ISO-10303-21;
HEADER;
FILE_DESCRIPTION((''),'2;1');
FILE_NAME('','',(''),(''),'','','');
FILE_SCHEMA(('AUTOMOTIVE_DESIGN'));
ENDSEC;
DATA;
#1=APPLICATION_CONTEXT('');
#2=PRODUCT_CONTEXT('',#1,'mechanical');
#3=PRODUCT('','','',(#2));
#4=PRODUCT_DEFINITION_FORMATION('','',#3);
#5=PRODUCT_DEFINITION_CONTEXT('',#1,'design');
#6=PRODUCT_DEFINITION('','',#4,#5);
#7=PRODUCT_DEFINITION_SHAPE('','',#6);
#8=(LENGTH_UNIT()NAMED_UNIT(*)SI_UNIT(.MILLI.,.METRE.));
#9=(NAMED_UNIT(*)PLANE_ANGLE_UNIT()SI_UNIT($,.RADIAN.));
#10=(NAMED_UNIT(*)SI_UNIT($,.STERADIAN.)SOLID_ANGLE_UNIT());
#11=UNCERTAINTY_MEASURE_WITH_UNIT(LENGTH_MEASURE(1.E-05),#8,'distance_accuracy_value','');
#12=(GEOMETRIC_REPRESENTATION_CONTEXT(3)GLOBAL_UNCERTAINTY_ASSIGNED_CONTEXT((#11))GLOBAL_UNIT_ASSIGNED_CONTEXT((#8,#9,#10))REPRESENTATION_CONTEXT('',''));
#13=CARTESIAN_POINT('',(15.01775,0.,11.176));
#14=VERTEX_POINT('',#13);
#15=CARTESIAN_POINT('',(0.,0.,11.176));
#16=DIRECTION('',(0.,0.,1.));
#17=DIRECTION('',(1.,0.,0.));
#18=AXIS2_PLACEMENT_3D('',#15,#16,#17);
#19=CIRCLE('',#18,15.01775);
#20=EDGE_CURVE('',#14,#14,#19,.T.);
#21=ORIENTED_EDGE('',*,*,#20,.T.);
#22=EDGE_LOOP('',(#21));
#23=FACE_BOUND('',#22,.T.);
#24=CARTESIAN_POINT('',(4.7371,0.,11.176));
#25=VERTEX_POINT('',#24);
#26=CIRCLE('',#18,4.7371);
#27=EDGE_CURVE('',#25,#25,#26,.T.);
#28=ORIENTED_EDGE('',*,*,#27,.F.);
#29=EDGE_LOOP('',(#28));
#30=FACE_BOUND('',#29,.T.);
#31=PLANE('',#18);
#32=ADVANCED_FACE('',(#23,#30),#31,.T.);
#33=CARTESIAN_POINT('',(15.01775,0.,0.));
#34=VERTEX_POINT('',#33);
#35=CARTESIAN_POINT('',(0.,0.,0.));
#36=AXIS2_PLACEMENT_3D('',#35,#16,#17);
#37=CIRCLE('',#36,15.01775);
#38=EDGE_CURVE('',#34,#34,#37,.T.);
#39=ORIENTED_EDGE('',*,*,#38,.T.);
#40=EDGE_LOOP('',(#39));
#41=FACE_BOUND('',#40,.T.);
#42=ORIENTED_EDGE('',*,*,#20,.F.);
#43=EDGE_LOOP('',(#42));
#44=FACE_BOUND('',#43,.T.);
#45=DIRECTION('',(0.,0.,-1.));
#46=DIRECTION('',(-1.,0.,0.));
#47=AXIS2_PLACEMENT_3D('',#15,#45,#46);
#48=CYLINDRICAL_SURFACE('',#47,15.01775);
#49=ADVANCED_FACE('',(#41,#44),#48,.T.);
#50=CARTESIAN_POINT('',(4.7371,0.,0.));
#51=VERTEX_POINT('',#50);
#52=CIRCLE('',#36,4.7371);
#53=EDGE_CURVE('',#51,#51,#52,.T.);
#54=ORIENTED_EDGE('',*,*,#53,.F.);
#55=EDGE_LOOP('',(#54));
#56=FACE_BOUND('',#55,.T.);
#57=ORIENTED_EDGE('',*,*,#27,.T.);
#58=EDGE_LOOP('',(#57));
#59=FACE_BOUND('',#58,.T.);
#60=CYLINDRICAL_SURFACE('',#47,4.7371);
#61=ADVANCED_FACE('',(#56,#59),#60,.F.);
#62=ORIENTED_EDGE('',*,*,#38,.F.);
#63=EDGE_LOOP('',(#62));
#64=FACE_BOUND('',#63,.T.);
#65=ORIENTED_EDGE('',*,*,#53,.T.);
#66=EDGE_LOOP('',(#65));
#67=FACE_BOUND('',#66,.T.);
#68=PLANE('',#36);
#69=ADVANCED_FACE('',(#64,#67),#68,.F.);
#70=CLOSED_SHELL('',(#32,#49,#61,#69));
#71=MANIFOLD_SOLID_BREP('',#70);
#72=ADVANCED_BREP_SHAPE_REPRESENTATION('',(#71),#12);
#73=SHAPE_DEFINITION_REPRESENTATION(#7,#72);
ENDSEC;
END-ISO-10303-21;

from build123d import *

# Parameters (mm, degrees)
SKETCH1_R           = 15.01775
SKETCH1_R_2         = 4.7371
BOSS_EXTRUDE1_DEPTH = 11.176


with BuildPart() as part:
    # Sketch1 → Boss-Extrude1 (new body)
    with BuildSketch(Plane.XY):
        Circle(SKETCH1_R)
        Circle(SKETCH1_R_2, mode=Mode.SUBTRACT)
    extrude(amount=BOSS_EXTRUDE1_DEPTH)


solid = part.part
